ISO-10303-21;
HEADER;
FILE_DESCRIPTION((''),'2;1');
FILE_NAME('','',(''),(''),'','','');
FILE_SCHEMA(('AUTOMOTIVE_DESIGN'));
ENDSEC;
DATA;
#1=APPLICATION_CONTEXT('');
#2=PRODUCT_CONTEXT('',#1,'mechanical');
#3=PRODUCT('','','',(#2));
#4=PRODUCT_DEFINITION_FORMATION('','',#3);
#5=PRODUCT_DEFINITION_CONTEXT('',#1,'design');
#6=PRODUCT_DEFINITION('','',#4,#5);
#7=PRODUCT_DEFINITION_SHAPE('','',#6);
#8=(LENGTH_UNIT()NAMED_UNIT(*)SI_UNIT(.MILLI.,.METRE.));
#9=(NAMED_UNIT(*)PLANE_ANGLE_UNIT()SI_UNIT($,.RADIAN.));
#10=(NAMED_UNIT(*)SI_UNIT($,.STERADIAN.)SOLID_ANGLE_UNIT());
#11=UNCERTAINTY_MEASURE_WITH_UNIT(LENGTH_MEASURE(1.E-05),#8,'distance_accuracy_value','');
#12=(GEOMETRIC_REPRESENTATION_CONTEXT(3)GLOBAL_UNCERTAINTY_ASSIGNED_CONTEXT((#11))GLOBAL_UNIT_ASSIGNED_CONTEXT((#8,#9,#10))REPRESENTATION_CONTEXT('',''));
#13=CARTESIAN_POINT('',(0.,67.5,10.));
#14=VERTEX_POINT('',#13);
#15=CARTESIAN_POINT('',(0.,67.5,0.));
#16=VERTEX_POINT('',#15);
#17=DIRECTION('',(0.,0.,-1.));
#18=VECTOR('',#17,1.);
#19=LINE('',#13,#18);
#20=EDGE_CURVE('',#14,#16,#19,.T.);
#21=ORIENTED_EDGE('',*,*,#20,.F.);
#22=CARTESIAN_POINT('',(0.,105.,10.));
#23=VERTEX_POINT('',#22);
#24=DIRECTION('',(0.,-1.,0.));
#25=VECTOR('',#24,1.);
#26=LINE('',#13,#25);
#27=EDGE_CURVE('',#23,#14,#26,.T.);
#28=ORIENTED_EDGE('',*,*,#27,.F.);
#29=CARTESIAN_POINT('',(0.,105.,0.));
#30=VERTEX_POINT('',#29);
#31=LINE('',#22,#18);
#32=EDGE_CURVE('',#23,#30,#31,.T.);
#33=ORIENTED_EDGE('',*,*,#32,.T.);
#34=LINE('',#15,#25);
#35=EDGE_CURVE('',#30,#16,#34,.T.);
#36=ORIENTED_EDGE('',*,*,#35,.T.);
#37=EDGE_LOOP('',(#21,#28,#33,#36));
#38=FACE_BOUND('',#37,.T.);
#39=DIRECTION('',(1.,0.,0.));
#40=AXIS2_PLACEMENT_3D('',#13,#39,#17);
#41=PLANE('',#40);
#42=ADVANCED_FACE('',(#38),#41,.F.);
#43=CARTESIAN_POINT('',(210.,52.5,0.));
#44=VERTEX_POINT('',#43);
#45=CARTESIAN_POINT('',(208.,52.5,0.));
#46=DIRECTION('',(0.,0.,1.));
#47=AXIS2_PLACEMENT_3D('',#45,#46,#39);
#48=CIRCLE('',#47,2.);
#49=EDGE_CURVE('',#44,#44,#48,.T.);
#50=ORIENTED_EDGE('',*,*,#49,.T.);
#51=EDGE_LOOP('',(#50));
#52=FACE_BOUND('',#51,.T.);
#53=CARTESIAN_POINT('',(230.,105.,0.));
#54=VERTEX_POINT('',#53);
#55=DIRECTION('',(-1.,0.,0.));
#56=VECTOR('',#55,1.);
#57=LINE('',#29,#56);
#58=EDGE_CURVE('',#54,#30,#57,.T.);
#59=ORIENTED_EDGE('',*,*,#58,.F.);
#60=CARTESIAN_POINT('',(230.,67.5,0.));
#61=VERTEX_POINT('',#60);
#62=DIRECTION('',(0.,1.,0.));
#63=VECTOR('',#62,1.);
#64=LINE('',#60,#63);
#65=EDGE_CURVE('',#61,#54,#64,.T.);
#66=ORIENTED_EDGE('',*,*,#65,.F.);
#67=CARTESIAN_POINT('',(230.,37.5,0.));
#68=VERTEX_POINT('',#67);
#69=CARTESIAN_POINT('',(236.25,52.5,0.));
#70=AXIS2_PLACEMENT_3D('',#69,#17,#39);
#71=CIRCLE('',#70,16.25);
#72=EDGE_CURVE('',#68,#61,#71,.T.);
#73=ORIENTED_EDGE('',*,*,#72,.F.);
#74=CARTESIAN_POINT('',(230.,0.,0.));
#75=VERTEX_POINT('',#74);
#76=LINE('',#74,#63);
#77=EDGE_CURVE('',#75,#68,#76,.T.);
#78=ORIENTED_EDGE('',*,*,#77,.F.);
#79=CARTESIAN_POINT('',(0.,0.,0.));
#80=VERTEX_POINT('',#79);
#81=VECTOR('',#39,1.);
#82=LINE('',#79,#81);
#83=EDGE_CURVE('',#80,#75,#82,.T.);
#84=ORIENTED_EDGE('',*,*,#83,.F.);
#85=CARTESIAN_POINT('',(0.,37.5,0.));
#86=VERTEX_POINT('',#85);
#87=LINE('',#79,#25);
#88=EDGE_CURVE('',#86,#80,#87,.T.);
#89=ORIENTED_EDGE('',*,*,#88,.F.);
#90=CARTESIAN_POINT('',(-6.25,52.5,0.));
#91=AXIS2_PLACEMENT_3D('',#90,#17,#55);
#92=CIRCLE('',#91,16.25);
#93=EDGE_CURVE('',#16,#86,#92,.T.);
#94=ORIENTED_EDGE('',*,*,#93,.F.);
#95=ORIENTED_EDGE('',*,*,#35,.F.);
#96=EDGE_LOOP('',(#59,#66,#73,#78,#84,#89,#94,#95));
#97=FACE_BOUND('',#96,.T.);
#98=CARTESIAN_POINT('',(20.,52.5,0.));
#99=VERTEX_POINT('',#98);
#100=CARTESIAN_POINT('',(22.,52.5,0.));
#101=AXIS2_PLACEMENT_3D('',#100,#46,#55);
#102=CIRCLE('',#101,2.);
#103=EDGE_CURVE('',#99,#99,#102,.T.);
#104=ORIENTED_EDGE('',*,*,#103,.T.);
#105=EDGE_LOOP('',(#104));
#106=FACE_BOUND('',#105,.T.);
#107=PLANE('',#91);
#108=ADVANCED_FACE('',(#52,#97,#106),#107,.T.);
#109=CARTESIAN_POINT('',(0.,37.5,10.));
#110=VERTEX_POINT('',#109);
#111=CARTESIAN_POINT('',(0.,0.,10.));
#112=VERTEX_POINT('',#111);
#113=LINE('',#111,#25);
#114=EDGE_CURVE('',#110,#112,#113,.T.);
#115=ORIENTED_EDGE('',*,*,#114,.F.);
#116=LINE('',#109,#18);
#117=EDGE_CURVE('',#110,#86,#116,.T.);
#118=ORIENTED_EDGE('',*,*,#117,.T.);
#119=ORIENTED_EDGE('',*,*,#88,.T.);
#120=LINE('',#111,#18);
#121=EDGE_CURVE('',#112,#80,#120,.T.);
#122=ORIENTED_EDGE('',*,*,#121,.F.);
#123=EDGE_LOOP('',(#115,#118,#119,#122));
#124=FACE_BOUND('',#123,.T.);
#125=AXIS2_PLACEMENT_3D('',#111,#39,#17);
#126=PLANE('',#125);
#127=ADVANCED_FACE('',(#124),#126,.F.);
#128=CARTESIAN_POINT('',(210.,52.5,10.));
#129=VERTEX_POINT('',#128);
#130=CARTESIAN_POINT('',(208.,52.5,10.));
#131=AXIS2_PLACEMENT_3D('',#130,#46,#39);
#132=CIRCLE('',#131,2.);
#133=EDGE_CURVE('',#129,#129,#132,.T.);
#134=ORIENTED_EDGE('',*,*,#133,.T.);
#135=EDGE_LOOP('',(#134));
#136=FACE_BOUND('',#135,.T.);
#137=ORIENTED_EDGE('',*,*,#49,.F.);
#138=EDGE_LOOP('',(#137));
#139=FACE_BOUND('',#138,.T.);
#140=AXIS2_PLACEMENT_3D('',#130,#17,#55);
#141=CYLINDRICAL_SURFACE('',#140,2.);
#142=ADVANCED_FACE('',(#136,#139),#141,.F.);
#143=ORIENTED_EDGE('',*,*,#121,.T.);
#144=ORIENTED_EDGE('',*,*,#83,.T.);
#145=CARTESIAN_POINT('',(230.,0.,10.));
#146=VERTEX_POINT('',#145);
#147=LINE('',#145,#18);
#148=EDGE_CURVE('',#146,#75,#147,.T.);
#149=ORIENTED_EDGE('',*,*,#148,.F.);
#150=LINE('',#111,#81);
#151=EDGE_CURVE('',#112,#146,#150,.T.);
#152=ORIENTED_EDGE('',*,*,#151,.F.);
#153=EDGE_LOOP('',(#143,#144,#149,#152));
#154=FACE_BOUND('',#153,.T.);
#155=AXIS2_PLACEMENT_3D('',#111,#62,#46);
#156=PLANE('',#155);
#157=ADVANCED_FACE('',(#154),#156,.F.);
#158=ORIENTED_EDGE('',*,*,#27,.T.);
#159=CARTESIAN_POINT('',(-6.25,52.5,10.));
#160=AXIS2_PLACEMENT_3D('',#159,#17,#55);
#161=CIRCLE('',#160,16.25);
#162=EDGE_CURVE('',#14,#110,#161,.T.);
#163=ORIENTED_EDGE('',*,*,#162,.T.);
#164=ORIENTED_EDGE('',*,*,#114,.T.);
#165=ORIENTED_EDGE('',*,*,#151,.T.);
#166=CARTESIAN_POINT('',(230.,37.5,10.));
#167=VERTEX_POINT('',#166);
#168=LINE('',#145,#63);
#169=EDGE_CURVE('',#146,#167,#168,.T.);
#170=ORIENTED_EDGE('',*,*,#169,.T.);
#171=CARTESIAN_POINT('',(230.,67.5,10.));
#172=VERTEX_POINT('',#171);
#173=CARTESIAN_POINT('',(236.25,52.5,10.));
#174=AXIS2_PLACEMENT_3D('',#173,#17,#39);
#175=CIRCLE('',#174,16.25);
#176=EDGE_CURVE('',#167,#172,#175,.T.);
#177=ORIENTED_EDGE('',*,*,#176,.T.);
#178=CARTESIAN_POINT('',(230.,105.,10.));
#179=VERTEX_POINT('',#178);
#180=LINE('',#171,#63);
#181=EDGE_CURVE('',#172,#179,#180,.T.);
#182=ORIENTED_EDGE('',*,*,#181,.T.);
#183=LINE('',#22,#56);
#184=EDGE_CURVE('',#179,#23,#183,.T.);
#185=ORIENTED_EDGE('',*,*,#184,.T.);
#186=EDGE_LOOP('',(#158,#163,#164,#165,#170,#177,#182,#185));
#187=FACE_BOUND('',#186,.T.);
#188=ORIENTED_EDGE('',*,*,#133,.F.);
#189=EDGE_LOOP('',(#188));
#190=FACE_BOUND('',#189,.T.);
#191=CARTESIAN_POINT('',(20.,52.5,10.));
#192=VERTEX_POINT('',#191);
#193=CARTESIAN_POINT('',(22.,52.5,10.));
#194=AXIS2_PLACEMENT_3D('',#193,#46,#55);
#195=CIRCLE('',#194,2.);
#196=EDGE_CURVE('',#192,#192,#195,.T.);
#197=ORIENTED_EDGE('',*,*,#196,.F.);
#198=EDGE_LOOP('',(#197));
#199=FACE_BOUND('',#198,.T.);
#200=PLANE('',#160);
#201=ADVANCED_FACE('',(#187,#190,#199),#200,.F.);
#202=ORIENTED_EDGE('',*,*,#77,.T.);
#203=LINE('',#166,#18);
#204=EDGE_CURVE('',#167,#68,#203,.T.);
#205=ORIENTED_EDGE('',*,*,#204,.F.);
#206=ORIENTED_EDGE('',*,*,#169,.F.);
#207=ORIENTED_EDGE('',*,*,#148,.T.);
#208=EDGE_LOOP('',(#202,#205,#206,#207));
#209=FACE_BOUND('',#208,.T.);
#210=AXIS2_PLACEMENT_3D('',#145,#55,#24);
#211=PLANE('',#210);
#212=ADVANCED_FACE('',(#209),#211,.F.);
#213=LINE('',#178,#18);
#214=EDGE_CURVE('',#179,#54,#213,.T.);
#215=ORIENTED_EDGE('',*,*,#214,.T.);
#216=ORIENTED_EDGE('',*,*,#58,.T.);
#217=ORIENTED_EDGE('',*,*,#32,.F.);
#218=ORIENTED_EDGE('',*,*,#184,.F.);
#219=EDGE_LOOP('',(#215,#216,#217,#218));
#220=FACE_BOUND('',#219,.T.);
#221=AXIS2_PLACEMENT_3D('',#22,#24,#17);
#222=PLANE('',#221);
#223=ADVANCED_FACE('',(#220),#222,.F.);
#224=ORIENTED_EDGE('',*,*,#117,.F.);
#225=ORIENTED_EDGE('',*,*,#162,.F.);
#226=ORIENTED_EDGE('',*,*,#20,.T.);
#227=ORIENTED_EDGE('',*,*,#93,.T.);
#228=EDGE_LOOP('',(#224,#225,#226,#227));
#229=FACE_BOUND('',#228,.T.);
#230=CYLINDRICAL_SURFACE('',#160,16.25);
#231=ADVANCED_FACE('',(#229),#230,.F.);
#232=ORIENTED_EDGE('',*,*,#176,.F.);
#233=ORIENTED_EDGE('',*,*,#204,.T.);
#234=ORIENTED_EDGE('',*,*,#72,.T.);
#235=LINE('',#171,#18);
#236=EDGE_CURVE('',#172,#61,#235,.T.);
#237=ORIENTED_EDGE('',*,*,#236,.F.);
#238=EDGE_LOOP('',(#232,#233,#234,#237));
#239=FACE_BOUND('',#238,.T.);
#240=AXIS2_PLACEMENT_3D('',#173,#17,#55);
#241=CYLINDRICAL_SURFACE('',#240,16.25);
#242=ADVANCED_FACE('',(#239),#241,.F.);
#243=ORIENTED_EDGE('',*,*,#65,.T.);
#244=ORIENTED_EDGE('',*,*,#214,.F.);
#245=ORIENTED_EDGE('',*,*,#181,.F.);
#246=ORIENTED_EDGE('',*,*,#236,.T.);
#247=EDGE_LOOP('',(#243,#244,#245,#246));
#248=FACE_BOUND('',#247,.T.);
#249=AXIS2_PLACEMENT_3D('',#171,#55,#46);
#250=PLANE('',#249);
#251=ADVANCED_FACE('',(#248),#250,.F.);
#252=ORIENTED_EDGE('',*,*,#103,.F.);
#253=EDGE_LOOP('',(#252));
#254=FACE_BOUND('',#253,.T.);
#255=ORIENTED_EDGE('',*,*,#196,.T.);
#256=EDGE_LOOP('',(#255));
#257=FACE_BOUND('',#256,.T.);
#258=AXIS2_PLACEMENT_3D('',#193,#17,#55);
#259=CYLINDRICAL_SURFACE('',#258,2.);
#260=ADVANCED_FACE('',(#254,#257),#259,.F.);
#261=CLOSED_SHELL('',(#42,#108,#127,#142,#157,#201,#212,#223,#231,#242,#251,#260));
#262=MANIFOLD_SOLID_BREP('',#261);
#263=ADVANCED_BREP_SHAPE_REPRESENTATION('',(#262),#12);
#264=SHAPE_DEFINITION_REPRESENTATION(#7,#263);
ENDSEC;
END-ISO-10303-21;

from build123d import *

# Parameters (mm, degrees)
SKETCH1_R           = 2
BOSS_EXTRUDE1_DEPTH = 10


with BuildPart() as part:
    # Sketch1 → Boss-Extrude1 (new body)
    with BuildSketch(Plane.XY):
        with BuildLine():
            Line((0, 0), (230, 0))
            Line((230, 0), (230, 37.5))
            ThreePointArc((230, 37.5), (220, 52.5), (230, 67.5))
            Line((230, 67.5), (230, 105))
            Line((230, 105), (0, 105))
            Line((0, 105), (0, 67.5))
            ThreePointArc((0, 67.5), (10, 52.5), (0, 37.5))
            Line((0, 37.5), (0, 0))
        make_face()
        with Locations((208, 52.5)):
            Circle(SKETCH1_R, mode=Mode.SUBTRACT)
        with Locations(Location((22, 52.5, 0), (0, 0, 180))):
            Circle(SKETCH1_R, mode=Mode.SUBTRACT)
    extrude(amount=BOSS_EXTRUDE1_DEPTH)


solid = part.part
